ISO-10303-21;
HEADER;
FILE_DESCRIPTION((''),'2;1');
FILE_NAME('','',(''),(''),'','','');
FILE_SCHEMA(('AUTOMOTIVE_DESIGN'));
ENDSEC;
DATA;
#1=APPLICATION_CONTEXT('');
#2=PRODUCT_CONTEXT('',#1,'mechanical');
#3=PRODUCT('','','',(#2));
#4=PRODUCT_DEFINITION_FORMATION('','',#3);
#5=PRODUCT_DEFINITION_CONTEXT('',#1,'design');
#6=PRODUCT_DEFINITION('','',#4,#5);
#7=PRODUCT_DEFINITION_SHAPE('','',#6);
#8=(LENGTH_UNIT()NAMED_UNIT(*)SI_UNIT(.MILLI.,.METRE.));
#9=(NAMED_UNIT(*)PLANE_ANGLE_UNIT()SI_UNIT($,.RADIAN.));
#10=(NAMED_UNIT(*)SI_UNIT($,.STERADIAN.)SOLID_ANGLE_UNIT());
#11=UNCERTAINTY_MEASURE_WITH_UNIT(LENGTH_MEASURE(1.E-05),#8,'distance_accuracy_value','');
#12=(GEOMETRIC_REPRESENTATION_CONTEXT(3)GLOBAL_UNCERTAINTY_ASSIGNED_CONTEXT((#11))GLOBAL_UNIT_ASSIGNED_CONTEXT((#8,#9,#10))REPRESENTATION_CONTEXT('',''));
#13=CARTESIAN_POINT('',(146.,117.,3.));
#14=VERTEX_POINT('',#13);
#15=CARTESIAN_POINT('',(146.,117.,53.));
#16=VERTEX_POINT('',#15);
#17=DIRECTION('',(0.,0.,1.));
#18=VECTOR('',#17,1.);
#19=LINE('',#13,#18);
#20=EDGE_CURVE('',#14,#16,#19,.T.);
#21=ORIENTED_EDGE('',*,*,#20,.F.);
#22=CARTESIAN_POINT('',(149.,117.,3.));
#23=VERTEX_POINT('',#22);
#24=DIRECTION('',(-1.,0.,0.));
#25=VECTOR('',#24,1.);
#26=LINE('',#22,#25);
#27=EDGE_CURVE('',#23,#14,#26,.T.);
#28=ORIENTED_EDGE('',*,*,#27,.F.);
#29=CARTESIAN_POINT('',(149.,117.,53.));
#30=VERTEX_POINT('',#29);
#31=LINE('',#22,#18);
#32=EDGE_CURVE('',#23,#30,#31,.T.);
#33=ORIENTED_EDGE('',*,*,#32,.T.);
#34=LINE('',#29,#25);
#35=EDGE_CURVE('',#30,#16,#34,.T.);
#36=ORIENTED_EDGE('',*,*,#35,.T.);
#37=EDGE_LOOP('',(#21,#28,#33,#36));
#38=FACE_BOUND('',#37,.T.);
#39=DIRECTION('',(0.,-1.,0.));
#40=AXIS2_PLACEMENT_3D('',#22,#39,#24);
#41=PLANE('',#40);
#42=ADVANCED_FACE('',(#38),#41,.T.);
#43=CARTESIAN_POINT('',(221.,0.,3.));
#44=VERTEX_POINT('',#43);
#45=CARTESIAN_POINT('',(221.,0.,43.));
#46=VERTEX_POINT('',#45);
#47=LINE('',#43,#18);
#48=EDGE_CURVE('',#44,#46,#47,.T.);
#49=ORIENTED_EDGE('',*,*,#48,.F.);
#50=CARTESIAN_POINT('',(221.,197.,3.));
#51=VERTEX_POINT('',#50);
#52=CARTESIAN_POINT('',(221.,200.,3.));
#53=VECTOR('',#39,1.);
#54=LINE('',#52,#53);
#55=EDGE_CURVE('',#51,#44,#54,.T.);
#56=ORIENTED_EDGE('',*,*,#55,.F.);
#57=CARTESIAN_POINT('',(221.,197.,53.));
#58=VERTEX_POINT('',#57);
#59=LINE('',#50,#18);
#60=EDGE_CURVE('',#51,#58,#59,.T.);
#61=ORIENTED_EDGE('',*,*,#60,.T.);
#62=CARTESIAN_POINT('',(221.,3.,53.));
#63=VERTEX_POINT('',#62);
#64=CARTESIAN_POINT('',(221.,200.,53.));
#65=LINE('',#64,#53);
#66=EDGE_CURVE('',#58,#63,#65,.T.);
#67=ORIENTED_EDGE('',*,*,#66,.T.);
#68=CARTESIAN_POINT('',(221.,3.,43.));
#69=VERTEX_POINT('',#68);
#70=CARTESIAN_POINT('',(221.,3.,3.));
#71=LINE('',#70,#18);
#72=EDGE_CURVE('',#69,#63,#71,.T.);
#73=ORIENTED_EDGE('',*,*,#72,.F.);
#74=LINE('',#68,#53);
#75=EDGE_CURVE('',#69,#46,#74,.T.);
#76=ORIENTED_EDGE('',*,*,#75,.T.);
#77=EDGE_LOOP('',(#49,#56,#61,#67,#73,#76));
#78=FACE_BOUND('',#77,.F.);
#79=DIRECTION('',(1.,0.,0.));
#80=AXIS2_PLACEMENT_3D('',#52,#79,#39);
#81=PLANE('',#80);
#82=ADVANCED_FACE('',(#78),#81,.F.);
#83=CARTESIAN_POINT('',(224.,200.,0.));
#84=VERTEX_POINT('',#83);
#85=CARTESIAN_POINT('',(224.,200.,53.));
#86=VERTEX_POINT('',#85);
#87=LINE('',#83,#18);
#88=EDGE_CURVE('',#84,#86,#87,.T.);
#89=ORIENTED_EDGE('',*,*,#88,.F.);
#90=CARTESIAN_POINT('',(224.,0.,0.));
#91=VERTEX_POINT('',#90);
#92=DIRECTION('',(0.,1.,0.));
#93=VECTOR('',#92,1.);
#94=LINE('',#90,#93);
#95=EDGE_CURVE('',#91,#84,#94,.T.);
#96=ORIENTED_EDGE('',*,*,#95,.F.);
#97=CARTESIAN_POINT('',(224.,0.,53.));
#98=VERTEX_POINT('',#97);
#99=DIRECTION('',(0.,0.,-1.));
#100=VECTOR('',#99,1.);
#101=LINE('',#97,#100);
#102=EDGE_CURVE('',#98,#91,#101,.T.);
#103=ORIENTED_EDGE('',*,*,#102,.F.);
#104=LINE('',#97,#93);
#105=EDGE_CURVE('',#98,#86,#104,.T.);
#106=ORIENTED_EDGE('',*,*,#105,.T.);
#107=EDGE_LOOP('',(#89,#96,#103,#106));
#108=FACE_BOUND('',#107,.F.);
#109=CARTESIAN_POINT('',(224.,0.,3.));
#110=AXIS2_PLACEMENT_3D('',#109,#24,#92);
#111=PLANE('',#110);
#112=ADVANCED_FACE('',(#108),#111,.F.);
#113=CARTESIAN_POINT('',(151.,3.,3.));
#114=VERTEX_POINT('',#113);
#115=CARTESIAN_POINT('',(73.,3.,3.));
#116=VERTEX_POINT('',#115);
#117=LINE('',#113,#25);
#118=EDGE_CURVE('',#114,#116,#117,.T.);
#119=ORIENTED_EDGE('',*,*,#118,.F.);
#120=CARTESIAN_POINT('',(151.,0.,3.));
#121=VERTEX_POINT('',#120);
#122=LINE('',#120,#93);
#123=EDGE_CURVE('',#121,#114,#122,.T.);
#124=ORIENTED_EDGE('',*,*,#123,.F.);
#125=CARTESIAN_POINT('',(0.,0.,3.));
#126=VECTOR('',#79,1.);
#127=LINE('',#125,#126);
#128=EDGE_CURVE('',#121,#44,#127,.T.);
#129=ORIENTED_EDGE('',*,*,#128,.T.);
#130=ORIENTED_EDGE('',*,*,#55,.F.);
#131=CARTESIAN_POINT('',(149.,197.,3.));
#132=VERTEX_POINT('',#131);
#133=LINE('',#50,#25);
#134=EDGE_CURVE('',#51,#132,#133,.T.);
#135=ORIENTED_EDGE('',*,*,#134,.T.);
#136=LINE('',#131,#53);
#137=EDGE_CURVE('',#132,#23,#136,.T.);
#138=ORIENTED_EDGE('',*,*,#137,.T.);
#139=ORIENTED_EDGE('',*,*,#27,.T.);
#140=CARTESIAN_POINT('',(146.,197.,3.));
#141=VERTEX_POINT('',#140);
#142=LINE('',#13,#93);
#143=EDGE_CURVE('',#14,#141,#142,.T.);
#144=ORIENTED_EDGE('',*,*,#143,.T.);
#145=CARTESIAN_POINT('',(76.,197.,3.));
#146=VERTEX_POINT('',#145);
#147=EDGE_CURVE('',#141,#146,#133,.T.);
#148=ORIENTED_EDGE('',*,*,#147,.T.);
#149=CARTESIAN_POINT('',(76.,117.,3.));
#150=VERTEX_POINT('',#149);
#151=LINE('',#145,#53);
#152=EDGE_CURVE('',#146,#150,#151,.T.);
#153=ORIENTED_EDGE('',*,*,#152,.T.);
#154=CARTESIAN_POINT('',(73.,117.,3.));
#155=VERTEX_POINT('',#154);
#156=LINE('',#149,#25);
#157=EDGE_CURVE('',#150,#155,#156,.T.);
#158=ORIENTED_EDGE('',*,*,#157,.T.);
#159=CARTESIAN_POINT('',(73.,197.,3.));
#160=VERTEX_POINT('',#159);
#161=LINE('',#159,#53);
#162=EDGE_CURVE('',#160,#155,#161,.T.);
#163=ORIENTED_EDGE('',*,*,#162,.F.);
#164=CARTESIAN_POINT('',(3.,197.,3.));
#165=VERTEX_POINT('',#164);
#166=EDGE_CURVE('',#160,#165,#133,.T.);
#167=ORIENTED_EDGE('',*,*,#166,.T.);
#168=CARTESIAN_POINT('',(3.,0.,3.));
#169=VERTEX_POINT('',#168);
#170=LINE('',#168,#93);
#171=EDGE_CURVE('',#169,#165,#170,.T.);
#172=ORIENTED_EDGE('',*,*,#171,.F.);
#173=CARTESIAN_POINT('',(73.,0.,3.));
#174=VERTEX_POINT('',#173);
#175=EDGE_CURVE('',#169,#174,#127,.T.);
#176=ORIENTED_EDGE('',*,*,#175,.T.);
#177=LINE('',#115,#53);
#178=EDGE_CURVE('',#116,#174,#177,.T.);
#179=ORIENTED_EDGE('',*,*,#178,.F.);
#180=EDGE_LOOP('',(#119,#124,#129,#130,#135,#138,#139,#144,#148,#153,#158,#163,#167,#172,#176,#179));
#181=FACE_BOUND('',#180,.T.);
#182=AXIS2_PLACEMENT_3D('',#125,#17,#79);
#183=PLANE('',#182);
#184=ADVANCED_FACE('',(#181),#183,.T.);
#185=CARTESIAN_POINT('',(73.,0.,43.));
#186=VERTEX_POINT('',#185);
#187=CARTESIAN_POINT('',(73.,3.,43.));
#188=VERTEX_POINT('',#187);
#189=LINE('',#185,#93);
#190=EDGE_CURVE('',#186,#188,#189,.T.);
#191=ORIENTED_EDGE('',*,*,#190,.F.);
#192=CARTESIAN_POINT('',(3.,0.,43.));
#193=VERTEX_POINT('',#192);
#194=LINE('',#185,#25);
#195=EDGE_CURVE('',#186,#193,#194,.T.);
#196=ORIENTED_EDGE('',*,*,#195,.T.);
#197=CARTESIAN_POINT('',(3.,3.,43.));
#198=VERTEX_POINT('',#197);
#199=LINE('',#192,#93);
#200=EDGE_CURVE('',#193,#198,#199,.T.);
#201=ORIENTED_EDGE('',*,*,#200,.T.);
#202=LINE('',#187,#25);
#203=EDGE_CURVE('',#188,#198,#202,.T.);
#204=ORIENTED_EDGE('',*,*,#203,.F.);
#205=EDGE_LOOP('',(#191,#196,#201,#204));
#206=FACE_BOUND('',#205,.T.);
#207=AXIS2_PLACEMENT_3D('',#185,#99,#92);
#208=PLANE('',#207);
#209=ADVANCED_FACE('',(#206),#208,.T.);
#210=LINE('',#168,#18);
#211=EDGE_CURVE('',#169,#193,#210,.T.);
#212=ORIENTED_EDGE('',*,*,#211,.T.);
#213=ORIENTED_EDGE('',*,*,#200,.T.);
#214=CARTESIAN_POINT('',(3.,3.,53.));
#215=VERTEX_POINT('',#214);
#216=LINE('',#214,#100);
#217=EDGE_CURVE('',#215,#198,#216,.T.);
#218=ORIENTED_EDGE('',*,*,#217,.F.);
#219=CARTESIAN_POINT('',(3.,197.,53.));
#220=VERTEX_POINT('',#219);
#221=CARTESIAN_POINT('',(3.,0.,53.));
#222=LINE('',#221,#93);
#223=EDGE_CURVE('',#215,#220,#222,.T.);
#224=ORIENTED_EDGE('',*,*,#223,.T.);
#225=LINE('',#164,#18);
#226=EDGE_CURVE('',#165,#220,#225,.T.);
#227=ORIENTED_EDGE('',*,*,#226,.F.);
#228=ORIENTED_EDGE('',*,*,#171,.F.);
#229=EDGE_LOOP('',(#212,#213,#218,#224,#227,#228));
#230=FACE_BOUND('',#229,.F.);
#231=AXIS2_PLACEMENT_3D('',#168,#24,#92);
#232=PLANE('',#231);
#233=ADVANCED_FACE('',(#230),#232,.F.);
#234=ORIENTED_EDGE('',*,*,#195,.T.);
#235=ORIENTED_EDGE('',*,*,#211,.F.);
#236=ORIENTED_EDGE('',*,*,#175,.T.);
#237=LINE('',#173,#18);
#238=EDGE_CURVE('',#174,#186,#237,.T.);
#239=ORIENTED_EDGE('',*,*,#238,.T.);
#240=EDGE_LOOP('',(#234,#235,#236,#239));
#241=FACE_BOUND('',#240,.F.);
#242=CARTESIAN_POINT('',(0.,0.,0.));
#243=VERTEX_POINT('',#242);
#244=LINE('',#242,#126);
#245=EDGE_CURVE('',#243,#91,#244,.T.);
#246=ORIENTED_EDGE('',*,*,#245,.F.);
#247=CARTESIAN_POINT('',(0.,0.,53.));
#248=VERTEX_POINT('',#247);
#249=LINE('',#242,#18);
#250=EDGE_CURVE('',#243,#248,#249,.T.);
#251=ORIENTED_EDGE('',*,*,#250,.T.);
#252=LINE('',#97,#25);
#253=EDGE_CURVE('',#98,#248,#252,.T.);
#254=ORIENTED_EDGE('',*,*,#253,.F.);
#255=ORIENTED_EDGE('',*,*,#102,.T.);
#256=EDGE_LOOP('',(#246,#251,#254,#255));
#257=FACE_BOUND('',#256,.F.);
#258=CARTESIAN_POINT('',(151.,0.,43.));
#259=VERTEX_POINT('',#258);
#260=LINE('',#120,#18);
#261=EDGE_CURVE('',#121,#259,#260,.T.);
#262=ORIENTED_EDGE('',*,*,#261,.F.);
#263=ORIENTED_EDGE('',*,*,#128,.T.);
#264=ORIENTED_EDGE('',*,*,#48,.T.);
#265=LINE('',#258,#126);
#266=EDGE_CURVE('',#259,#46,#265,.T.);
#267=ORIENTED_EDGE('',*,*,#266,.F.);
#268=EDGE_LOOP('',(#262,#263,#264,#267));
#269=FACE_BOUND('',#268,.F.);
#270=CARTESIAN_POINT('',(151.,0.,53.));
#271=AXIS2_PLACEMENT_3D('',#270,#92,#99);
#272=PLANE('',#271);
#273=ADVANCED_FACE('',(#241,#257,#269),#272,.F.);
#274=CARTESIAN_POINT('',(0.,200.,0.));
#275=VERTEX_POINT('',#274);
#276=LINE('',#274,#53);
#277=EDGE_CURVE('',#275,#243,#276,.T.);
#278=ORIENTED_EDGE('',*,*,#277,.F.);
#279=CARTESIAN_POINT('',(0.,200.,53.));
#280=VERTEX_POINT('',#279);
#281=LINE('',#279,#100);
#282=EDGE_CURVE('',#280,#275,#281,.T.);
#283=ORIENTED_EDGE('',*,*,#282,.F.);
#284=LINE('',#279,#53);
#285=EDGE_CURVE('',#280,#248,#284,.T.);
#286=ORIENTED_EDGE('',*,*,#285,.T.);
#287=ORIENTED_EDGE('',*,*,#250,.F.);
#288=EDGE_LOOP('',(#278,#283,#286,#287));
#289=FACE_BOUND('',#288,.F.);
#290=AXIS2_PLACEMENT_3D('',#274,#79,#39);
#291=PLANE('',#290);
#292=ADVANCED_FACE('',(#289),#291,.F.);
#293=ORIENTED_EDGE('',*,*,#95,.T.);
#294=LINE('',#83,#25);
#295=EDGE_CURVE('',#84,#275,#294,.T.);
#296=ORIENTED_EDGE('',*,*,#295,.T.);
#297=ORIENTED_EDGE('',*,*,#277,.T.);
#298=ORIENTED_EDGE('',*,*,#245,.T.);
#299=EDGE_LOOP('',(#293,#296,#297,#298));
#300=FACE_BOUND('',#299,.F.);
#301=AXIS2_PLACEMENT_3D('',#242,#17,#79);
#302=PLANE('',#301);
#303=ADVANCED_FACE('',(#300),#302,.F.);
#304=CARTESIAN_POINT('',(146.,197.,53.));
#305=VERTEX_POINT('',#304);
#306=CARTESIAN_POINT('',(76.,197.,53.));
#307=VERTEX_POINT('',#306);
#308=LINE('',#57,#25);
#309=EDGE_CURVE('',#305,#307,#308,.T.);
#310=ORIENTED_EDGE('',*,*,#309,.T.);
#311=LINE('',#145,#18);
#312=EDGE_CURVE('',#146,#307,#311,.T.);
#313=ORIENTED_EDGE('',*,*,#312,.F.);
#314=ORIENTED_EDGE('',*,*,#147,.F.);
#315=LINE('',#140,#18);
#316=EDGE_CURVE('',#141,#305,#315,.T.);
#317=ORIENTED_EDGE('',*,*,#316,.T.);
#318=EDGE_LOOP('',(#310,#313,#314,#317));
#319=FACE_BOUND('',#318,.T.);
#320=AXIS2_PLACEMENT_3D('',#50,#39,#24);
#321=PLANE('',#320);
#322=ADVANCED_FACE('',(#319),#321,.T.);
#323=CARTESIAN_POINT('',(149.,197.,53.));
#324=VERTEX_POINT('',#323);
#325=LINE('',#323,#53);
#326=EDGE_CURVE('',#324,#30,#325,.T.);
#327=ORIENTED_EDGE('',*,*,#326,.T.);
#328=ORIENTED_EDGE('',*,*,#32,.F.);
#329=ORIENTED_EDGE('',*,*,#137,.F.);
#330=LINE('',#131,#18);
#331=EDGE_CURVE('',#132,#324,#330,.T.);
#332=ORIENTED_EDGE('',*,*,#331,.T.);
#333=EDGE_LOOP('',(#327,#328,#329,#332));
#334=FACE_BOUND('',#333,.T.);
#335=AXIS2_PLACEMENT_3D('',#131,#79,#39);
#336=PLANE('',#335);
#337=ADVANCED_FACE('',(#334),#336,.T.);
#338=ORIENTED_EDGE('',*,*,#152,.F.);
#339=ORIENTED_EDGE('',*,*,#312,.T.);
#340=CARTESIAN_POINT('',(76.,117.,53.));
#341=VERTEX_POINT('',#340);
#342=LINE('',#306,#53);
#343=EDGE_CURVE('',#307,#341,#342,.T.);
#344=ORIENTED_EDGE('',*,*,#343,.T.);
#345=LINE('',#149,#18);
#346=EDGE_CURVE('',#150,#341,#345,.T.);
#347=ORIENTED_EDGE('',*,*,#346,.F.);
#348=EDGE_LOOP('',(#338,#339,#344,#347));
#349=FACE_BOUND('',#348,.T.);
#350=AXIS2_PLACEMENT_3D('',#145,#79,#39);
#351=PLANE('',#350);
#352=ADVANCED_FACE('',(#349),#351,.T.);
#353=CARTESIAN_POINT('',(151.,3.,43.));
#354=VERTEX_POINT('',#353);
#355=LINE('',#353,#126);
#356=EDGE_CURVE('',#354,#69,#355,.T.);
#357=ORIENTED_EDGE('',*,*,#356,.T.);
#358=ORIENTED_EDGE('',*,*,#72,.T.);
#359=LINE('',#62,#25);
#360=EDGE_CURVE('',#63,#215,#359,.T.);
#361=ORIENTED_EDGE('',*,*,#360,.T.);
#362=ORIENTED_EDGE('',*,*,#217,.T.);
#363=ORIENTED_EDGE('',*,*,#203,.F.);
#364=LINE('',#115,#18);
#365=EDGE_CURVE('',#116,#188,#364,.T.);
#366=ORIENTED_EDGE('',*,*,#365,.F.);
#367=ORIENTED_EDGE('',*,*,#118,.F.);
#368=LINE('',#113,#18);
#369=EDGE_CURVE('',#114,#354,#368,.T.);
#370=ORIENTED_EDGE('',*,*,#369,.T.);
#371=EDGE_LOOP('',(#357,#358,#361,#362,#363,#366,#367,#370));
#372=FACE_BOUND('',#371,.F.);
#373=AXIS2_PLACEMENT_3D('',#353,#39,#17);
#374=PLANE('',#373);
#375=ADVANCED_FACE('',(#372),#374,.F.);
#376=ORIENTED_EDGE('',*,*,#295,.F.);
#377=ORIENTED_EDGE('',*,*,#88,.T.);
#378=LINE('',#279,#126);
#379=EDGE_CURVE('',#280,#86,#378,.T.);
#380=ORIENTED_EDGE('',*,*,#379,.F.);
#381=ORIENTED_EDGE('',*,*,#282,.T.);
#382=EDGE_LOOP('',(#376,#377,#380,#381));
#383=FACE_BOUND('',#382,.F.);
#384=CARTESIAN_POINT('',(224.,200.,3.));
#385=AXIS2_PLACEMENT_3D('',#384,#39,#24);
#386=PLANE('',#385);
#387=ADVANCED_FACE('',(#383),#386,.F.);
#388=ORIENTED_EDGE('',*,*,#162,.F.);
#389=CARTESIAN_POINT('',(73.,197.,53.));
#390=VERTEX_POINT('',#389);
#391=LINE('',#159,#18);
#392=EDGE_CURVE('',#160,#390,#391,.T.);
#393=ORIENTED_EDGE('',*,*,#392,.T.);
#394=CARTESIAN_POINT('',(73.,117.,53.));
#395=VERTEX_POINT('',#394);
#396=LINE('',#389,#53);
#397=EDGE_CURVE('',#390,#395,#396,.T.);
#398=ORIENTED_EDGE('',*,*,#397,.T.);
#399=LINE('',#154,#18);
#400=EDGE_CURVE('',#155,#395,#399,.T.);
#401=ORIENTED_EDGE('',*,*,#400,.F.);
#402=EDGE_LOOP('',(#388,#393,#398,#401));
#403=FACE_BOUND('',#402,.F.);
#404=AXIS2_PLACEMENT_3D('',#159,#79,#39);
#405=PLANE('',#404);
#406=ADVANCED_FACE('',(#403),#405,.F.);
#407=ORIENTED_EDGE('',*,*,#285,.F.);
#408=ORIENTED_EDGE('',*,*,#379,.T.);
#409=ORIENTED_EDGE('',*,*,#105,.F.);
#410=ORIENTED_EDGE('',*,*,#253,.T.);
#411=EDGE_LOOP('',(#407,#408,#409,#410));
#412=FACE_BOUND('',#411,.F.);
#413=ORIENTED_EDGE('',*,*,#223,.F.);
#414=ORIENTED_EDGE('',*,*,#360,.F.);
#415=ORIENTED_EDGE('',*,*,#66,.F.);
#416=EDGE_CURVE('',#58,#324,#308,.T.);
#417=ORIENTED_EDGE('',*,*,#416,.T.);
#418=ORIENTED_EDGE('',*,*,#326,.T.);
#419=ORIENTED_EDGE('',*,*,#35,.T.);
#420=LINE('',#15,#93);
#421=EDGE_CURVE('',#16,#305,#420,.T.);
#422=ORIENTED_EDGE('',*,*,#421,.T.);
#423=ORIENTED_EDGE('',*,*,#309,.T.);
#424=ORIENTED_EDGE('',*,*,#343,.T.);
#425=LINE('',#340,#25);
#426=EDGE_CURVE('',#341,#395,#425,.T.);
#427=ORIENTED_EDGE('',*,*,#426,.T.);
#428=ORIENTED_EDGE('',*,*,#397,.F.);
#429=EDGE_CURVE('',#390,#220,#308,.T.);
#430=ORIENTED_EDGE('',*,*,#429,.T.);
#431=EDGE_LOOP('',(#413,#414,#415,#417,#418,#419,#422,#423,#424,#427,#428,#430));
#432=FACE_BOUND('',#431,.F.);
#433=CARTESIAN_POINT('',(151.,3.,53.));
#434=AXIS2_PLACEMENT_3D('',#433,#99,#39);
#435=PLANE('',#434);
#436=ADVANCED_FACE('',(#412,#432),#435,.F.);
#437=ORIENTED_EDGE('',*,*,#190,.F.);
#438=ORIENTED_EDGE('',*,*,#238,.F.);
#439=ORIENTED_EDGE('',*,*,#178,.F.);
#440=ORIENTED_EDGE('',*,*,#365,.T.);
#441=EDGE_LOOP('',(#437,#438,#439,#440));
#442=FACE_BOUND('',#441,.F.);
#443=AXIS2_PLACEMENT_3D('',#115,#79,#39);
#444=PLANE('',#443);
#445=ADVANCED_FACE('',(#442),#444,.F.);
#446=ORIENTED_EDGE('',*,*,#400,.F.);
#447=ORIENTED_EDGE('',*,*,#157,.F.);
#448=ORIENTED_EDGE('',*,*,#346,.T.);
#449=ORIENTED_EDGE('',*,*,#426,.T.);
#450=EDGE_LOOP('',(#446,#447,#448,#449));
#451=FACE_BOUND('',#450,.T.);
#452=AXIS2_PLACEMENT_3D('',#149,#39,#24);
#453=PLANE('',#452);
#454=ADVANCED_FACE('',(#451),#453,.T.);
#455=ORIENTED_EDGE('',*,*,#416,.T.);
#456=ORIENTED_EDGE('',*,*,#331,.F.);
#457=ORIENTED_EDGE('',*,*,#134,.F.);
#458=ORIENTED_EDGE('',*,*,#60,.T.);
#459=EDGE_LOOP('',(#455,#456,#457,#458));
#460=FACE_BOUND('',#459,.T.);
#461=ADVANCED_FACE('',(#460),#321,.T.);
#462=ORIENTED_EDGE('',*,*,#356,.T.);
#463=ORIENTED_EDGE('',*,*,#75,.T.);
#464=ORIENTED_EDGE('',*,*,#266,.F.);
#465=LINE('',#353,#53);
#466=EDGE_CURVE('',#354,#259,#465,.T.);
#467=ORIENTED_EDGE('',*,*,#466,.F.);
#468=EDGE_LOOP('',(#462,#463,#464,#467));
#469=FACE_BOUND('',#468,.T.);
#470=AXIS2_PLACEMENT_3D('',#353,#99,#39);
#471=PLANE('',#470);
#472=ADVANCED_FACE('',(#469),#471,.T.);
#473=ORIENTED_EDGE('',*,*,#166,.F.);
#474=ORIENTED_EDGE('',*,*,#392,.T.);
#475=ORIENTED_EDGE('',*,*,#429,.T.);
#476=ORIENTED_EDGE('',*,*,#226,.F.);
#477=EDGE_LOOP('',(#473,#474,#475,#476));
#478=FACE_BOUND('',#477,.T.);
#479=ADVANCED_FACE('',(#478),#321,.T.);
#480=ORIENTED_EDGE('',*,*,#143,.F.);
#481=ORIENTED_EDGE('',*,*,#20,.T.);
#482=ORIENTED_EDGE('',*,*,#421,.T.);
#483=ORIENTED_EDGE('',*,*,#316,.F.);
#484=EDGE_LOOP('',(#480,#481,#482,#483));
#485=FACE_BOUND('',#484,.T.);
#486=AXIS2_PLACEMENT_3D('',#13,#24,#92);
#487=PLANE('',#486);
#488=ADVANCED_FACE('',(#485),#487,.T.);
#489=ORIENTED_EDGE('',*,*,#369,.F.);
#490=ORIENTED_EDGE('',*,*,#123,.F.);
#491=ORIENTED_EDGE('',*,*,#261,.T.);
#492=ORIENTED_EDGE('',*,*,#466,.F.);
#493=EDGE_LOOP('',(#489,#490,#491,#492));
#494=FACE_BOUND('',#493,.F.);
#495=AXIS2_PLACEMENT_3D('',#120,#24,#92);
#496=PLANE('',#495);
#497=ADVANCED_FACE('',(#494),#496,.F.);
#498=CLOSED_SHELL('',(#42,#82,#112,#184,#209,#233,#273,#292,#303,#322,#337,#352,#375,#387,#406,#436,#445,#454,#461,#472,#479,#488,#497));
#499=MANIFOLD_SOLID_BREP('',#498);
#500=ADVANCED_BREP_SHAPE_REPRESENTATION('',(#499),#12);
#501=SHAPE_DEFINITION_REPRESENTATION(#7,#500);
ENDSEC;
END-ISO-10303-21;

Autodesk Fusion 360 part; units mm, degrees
sketch "Bottom " plane through (0, 0, 0) normal (0, 0, 1) x (1, 0, 0)
  line L0 (0, 0) -> (224, 0)
  line L1 (224, 0) -> (224, 200)
  line L2 (224, 200) -> (0, 200)
  line L3 (0, 200) -> (0, 0)
  dimension "d1" = 224
  dimension "d2" = 200
extrude "Extrude1" add sketch "Bottom " along normal blind 3
sketch "Left_Border" plane through (0, 0, 3) normal (0, 0, 1) x (-1, 0, 0)
  line L0 (0, -200) -> (0, 0)
  line L1 (0, 0) -> (-224, 0)
  line L2 (-224, 0) -> (-224, -200)
  line L3 (-224, -200) -> (0, -200)
  line L4 (0, 0) -> (-3, 0)
  line L5 (-3, 0) -> (-3, -200)
  line L6 (-3, -200) -> (0, -200)
  line L7 (0, -200) -> (0, 0)
  dimension "d5" = 3
  dimension "d6" = 200
sketch "Back_Border" plane through (0, 0, 3) normal (0, 0, 1) x (-1, 0, 0)
  line L0 (-3, -200) -> (-221, -200)
  line L1 (-221, -200) -> (-221, -197)
  line L2 (-221, -197) -> (-3, -197)
  line L3 (-3, -197) -> (-3, -200)
  dimension "d7" = 218
sketch "Right_Border" plane through (0, 0, 3) normal (0, 0, 1) x (-1, 0, 0)
  line L0 (-224, -200) -> (-221, -200)
  line L1 (-221, -200) -> (-221, 0)
  line L2 (-221, 0) -> (-224, 0)
  line L3 (-224, 0) -> (-224, -200)
  dimension "d8" = 3
  dimension "d9" = 200
extrude "Extrude2" add sketch "Left_Border" along normal blind 50 contours L0 L1 L3 L4 L5 L6 L7
extrude "Extrude3" add sketch "Back_Border" along normal blind 50
extrude "Extrude4" add sketch "Right_Border" along normal blind 50
sketch "limi_1" plane through (0, 0, 3) normal (0, 0, 1) x (-1, 0, 0)
  line L0 (-221, -197) -> (-3, -197)
  line L1 (-3, -197) -> (-3, 0)
  line L2 (-3, 0) -> (-221, 0)
  line L3 (-73, -197) -> (-73, -117)
  line L4 (-73, -197) -> (-76, -197)
  line L5 (-76, -197) -> (-76, -117)
  line L6 (-76, -117) -> (-73, -117)
  line L7 (-221, 0) -> (-221, -197)
  dimension "d17" = 80
  dimension "d18" = 3
  dimension "d19" = 80
extrude "Extrude5" add sketch "limi_1" along normal blind 50 contours L0 L3 L4 L5 L6
sketch "limi_2" plane through (0, 0, 3) normal (0, 0, 1) x (-1, 0, 0)
  line L0 (-73, -117) -> (-73, -197)
  line L1 (-73, -197) -> (-3, -197)
  line L2 (-3, -197) -> (-3, 0)
  line L3 (-3, 0) -> (-221, 0)
  line L4 (-76, -197) -> (-76, -117)
  line L5 (-76, -117) -> (-73, -117)
  line L6 (-146, -197) -> (-149, -197)
  line L7 (-149, -197) -> (-149, -117)
  line L8 (-149, -117) -> (-146, -117)
  line L9 (-146, -117) -> (-146, -197)
  line L10 (-221, 0) -> (-221, -197)
  line L11 (-221, -197) -> (-76, -197)
  dimension "d22" = 70
  dimension "d24" = 3
  dimension "d25" = 80
extrude "Extrude6" add sketch "limi_2" along normal blind 50 contours L6 L7 L8 L9 L11
sketch "Large_Front_Side" plane through (0, 0, 3) normal (0, 0, 1) x (-1, 0, 0)
  line L0 (-149, -197) -> (-149, -117)
  line L1 (-149, -117) -> (-146, -117)
  line L2 (-146, -117) -> (-146, -197)
  line L3 (-146, -197) -> (-76, -197)
  line L4 (-76, -197) -> (-76, -117)
  line L5 (-76, -117) -> (-73, -117)
  line L6 (-73, -117) -> (-73, -197)
  line L7 (-73, -197) -> (-3, -197)
  line L8 (-3, -197) -> (-3, 0)
  line L9 (-3, 0) -> (-221, 0)
  line L10 (-221, 0) -> (-221, -197)
  line L11 (-221, -197) -> (-149, -197)
  line L12 (-3, 0) -> (-73, 0)
  line L13 (-221, 0) -> (-151, 0)
  line L14 (-73, 0) -> (-151, 0)
  line L15 (-151, 0) -> (-151, -3)
  line L16 (-151, -3) -> (-73, -3)
  line L17 (-73, -3) -> (-73, 0)
  dimension "d28" = 70
  dimension "d29" = 70
  dimension "d30" = 3
extrude "Extrude7" add sketch "Large_Front_Side" along normal blind 50 contours L9 L14 L15 L16 L17
sketch "Sketch8" plane through (73, 0, 0) normal (-1, 0, 0) x (0, -1, 0)
  line L0 (-3, 3) -> (0, 3)
  line L1 (0, 3) -> (0, 53)
  line L2 (0, 53) -> (-3, 53)
  line L3 (-3, 53) -> (-3, 3)
  line L4 (-3, 53) -> (0, 53)
  line L5 (0, 53) -> (0, 43)
  line L6 (0, 43) -> (-3, 43)
  line L7 (-3, 43) -> (-3, 53)
  dimension "d33" = 3
  dimension "d34" = 10
extrude "Extrude8" add sketch "Sketch8" along normal blind 70 contours L1 L2 L3 L4 L5 L6 L7
sketch "Sketch9" plane through (151, 0, 0) normal (1, 0, 0) x (0, 1, 0)
  line L0 (0, 3) -> (3, 3)
  line L1 (3, 3) -> (3, 53)
  line L2 (3, 53) -> (0, 53)
  line L3 (0, 53) -> (0, 3)
  line L4 (0, 53) -> (3, 53)
  line L5 (3, 53) -> (3, 43)
  line L6 (3, 43) -> (0, 43)
  line L7 (0, 43) -> (0, 53)
  dimension "d37" = 3
  dimension "d38" = 10
extrude "Extrude9" add sketch "Sketch9" along normal blind 70 contours L1 L2 L3 L4 L5 L6 L7
equation "d7 = 221 mm - 3 mm"
